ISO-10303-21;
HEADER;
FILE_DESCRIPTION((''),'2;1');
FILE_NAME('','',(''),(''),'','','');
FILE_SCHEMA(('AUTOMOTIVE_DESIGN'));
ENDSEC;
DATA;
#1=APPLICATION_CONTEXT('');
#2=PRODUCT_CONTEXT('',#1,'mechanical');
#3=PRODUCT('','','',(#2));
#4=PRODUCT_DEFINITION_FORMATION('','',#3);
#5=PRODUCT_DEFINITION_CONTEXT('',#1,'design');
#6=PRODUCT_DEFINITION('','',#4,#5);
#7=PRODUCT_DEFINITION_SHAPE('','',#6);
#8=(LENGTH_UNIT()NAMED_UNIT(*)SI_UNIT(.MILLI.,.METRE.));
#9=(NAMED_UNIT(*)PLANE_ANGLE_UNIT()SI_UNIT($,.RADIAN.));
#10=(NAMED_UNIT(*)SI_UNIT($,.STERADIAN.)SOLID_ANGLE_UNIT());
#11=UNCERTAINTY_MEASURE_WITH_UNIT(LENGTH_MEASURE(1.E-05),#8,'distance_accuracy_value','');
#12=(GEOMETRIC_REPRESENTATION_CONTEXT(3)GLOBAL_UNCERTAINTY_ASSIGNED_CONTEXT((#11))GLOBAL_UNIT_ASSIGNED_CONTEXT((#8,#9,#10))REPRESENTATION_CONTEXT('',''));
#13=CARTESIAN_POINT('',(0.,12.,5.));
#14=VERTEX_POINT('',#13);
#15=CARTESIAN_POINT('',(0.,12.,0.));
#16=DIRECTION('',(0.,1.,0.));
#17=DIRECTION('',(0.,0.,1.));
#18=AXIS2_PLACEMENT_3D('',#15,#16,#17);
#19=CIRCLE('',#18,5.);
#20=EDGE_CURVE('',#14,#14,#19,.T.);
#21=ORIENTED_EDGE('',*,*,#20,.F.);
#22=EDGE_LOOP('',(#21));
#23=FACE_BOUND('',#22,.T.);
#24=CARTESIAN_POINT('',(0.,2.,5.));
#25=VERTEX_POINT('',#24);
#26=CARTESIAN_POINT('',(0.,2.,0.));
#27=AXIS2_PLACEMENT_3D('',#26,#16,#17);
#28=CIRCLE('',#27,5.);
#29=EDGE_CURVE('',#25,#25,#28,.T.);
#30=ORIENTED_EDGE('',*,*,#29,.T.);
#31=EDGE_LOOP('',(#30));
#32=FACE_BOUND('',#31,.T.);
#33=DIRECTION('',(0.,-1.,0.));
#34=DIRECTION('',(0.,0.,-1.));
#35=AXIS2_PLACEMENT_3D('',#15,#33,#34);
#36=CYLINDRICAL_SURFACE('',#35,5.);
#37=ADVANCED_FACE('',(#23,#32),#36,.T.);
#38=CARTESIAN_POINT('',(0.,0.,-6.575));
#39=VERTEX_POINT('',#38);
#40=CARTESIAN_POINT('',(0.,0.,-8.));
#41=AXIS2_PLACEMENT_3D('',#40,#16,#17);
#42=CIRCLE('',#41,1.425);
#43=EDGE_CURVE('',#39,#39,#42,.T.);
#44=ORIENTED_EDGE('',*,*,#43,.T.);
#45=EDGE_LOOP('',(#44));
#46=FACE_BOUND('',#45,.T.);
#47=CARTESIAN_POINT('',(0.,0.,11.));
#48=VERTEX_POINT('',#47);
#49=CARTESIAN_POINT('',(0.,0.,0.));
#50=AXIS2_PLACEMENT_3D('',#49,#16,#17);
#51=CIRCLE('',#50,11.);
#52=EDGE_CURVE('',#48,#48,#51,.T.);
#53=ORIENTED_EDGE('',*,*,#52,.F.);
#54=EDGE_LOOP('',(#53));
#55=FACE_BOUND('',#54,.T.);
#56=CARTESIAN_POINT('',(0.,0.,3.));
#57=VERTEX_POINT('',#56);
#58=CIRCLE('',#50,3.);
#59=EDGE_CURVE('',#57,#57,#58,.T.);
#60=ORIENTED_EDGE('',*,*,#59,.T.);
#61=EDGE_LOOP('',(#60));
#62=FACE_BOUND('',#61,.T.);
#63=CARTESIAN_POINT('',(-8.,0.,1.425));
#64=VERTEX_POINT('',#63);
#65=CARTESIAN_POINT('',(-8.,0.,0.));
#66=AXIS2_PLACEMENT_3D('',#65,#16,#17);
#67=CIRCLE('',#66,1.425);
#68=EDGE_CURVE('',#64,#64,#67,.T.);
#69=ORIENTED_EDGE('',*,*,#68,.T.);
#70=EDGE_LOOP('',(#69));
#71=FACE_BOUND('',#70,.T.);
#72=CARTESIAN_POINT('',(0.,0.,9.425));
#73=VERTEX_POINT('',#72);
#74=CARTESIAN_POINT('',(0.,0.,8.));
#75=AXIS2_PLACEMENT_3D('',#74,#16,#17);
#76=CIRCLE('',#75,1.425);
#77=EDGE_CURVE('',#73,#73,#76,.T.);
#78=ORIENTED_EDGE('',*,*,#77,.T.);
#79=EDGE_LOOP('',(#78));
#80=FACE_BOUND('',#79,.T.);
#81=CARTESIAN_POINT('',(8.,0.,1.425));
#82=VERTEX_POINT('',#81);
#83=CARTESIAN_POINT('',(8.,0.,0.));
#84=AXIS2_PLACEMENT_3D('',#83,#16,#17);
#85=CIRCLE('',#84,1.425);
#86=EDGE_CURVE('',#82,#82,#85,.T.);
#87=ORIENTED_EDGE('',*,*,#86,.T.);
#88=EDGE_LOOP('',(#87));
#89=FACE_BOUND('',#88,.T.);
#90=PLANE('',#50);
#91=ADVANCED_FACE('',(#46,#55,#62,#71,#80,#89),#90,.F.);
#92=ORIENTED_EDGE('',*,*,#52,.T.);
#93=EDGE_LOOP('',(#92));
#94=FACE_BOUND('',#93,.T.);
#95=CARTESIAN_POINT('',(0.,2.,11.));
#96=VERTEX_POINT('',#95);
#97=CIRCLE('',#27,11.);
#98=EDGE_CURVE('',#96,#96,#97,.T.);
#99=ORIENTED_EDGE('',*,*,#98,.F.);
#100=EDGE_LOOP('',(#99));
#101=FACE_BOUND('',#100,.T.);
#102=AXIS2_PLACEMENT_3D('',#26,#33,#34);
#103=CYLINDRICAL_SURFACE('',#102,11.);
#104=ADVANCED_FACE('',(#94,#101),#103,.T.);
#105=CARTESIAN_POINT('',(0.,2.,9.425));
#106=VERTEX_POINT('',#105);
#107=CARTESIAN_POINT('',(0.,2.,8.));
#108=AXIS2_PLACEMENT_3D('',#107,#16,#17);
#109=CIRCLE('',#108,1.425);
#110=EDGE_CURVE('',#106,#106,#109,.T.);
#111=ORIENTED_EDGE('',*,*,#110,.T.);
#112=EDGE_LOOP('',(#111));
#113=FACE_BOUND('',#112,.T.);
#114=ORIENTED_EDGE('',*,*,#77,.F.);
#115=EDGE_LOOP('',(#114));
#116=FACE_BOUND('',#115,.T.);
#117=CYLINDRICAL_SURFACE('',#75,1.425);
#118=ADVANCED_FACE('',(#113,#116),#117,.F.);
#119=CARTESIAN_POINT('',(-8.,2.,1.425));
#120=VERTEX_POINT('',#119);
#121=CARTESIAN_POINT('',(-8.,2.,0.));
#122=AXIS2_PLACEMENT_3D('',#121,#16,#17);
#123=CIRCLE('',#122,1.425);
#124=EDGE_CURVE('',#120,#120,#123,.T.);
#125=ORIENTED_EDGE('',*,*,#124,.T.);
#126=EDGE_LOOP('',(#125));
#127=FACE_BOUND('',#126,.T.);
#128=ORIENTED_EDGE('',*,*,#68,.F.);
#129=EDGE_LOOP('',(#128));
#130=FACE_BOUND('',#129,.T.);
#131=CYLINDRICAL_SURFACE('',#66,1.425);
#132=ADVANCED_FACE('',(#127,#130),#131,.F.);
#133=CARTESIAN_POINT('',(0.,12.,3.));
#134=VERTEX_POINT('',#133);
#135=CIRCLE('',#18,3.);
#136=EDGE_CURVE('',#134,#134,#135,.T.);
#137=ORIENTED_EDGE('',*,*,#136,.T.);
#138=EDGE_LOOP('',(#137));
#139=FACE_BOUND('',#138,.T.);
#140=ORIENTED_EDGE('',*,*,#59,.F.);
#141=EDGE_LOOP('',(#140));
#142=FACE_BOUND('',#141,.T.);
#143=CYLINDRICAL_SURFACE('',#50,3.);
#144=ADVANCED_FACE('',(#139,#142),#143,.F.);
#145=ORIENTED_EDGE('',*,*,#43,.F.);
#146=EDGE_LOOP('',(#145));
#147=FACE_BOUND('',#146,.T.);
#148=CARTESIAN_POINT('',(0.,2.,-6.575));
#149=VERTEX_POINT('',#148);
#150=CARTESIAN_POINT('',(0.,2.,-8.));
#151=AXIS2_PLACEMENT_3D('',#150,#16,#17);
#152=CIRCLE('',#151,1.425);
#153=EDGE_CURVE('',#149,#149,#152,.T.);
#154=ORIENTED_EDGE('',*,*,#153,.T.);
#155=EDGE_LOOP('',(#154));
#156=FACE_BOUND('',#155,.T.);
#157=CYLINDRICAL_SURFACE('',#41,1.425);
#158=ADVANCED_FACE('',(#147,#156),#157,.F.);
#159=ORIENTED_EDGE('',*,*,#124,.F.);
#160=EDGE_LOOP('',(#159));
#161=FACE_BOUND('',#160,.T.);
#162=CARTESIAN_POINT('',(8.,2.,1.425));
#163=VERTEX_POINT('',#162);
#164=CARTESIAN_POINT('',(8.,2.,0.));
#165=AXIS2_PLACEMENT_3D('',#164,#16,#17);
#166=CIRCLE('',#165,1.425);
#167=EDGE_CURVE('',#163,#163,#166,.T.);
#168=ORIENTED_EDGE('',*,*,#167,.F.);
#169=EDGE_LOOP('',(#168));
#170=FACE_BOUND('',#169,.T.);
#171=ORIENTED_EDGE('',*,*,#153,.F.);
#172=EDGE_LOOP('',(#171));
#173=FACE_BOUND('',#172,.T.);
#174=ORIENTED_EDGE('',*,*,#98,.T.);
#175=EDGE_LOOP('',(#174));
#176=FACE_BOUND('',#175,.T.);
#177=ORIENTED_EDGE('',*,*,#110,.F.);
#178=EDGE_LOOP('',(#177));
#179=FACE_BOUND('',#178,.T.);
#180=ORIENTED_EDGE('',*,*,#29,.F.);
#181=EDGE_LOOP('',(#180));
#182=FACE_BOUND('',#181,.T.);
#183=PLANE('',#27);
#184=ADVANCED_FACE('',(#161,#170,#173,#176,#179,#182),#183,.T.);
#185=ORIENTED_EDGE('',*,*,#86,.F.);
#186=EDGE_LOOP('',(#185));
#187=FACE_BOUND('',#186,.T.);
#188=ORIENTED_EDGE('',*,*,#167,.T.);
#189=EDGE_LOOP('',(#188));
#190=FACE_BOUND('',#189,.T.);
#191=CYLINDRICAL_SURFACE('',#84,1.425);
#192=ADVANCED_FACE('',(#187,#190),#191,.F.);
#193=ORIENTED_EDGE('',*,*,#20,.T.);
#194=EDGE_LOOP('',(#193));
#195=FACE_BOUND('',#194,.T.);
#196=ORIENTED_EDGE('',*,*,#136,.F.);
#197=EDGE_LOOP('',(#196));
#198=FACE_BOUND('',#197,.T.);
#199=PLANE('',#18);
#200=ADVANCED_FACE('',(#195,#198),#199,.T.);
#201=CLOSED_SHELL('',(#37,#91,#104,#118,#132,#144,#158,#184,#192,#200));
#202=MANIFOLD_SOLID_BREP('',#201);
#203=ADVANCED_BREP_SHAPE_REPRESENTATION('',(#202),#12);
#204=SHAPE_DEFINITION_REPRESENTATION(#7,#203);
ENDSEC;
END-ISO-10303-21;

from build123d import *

# Parameters (mm, degrees)
SKETCH1_R           = 11
BOSS_EXTRUDE1_DEPTH = 2
SKETCH2_R           = 5
BOSS_EXTRUDE2_DEPTH = 10
SKETCH3_R           = 3
CUT_EXTRUDE1_DEPTH  = 20.646882704
SKETCH4_R           = 1.425
CUT_EXTRUDE2_DEPTH  = 19.493242009


with BuildPart() as part:
    # Sketch1 → Boss-Extrude1 (new body)
    with BuildSketch(Plane(origin=(0, 0, 0), x_dir=(1, 0, 0), z_dir=(0, 1, 0))):
        with Locations(Location((0, 0, 0), (0, 0, 270))):
            Circle(SKETCH1_R)
    extrude(amount=BOSS_EXTRUDE1_DEPTH)

    # Sketch2 → Boss-Extrude2 (add)
    with BuildSketch(Plane(origin=(0, 2, 0), x_dir=(1, 0, 0), z_dir=(0, 1, 0))):
        with Locations(Location((0, 0, 0), (0, 0, 270))):
            Circle(SKETCH2_R)
    extrude(amount=BOSS_EXTRUDE2_DEPTH)

    # Sketch3 → Cut-Extrude1 (cut, through all)
    with BuildSketch(Plane(origin=(0, 12, 0), x_dir=(1, 0, 0), z_dir=(0, 1, 0))):
        with Locations(Location((0, 0, 0), (0, 0, 270))):
            Circle(SKETCH3_R)
    extrude(amount=-CUT_EXTRUDE1_DEPTH, mode=Mode.SUBTRACT)

    # Sketch4 → Cut-Extrude2 (cut, through all)
    with BuildSketch(Plane(origin=(0, 2, 0), x_dir=(1, 0, 0), z_dir=(0, 1, 0))):
        with Locations(Location((0, 8, 0), (0, 0, 270))):
            Circle(SKETCH4_R)
        with Locations(Location((8, 0, 0), (0, 0, 270))):
            Circle(SKETCH4_R)
        with Locations(Location((0, -8, 0), (0, 0, 270))):
            Circle(SKETCH4_R)
        with Locations(Location((-8, 0, 0), (0, 0, 270))):
            Circle(SKETCH4_R)
    extrude(amount=-CUT_EXTRUDE2_DEPTH, mode=Mode.SUBTRACT)


solid = part.part
